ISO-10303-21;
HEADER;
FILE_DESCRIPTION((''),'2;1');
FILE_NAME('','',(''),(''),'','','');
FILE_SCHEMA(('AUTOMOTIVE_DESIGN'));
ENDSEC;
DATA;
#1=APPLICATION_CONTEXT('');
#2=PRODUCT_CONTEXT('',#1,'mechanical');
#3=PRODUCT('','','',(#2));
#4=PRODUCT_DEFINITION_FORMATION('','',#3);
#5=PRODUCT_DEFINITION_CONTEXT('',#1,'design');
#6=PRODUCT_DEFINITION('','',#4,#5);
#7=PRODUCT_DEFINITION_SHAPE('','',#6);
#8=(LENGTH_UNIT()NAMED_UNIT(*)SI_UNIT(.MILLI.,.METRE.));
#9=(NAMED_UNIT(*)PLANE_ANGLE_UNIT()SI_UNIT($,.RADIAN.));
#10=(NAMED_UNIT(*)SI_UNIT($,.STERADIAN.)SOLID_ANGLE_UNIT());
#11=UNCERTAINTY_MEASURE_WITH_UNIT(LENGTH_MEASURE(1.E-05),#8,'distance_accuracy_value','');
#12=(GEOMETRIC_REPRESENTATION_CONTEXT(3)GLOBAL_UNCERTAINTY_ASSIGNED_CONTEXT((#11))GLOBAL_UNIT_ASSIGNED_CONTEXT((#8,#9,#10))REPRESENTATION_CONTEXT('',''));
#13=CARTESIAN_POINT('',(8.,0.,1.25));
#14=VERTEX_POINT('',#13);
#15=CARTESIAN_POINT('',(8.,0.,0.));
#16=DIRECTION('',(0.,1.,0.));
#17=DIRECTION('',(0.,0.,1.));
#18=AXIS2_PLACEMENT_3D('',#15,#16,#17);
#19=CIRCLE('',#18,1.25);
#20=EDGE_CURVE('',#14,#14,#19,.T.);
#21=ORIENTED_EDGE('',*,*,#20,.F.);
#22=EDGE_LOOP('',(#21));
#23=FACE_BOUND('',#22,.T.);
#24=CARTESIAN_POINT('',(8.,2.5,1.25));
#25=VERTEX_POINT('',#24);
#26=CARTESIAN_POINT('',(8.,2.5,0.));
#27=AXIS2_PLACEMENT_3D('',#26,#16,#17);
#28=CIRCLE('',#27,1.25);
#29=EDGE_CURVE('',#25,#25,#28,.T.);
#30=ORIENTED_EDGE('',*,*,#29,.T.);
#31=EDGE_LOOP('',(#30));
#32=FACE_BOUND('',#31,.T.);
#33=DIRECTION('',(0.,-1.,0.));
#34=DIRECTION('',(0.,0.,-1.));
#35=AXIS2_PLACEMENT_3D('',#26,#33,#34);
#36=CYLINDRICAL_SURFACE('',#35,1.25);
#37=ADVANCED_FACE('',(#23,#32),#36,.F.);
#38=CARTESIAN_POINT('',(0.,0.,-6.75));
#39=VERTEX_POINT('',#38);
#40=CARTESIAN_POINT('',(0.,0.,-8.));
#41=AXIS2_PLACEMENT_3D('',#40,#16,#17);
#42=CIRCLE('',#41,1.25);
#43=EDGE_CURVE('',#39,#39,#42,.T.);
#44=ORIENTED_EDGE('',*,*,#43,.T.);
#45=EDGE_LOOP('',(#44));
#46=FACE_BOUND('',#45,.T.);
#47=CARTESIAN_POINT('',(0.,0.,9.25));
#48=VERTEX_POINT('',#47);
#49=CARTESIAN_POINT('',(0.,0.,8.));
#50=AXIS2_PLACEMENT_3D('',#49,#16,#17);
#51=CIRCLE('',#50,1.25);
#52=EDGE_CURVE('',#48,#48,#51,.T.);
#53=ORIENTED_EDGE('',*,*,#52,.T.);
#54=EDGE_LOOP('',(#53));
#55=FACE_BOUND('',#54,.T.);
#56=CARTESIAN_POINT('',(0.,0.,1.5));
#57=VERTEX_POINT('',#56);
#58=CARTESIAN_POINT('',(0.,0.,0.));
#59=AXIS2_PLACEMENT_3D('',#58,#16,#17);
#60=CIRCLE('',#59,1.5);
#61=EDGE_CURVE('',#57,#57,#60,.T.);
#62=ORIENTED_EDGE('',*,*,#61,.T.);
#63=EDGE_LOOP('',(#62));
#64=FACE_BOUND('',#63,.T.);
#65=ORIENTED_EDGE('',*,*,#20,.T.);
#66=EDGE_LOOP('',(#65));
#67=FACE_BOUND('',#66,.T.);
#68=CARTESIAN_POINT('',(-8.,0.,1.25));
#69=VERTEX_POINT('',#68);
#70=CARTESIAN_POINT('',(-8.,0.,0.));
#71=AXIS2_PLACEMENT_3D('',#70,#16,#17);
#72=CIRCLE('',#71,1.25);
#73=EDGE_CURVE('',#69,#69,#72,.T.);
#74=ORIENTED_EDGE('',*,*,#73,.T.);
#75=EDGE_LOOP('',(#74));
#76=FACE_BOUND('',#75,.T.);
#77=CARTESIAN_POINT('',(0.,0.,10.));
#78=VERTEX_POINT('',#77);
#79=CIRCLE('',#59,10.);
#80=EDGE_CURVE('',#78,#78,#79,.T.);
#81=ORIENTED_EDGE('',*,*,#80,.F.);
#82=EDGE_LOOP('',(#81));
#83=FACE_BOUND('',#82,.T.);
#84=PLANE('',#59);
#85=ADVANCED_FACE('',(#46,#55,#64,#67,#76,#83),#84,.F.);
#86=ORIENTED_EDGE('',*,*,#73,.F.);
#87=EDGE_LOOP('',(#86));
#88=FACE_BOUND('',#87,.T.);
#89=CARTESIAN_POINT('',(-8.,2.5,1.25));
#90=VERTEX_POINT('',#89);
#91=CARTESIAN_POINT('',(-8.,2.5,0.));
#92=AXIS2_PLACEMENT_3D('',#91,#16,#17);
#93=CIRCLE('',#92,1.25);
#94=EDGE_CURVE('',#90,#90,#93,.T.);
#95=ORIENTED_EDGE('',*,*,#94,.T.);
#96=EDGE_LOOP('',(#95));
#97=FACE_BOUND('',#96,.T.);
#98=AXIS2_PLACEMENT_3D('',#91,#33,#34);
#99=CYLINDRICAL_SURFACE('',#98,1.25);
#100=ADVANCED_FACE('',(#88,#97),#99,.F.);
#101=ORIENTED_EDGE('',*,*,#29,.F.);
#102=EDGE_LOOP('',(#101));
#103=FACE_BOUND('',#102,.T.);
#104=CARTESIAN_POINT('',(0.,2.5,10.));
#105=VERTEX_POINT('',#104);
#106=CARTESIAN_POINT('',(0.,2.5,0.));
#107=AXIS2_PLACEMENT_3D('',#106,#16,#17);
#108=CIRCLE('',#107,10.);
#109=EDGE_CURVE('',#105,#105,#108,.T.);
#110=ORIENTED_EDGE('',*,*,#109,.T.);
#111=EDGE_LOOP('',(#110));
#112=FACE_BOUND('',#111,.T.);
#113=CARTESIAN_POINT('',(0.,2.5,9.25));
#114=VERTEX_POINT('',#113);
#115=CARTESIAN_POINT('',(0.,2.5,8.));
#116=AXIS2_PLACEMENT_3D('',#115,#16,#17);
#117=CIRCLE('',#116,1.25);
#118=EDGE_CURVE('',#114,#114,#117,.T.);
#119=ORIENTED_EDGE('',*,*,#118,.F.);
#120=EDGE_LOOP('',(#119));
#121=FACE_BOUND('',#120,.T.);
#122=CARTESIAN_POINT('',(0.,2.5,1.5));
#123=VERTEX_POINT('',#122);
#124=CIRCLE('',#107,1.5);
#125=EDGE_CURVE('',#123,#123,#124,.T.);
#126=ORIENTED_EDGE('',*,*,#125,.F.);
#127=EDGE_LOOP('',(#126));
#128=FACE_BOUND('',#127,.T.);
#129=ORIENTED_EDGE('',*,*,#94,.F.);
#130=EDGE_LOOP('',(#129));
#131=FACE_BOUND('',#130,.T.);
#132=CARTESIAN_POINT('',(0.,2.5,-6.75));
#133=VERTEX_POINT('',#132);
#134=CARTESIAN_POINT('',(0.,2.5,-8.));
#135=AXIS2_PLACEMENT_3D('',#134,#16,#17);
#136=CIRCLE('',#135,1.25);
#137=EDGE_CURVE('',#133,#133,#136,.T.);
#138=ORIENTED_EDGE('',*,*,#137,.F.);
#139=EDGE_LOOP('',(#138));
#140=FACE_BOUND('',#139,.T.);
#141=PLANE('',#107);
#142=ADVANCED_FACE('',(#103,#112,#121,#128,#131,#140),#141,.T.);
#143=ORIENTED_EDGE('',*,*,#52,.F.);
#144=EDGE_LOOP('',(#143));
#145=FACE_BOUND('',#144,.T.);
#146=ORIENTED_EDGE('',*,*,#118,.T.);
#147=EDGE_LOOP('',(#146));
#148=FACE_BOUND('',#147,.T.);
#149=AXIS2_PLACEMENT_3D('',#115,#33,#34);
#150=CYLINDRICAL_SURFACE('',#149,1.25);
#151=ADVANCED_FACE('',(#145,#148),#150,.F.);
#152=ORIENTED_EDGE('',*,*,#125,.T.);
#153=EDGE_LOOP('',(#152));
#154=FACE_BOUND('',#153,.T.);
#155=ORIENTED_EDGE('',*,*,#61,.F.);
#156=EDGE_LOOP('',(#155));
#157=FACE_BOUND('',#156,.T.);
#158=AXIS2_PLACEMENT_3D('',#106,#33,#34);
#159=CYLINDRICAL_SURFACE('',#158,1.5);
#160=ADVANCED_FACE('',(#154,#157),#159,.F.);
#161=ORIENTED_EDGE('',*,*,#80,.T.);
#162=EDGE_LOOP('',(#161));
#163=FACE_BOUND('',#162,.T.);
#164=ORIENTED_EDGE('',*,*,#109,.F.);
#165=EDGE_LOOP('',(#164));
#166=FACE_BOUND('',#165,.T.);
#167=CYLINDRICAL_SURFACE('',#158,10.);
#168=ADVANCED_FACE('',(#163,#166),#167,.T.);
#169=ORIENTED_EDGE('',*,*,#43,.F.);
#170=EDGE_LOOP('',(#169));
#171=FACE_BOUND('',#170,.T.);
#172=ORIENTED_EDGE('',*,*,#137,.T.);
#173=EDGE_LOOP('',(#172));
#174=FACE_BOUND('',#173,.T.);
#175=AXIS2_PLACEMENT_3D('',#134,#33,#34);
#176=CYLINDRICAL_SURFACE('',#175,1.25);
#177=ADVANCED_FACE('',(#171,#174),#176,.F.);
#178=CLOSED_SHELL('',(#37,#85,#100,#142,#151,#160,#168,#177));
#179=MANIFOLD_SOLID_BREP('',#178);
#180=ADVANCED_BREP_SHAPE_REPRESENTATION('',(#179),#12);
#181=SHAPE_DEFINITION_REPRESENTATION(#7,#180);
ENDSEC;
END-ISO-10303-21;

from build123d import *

# Parameters (mm, degrees)
SKETCH1_R           = 10
SKETCH1_R_2         = 1.25
SKETCH1_R_3         = 1.5
BOSS_EXTRUDE1_DEPTH = 2.5


with BuildPart() as part:
    # Sketch1 → Boss-Extrude1 (new body)
    with BuildSketch(Plane(origin=(0, 0, 0), x_dir=(1, 0, 0), z_dir=(0, 1, 0))):
        with Locations(Location((0, 0, 0), (0, 0, 270))):
            Circle(SKETCH1_R)
        with Locations(Location((-8, 0, 0), (0, 0, 270))):
            Circle(SKETCH1_R_2, mode=Mode.SUBTRACT)
        with Locations(Location((0, -8, 0), (0, 0, 270))):
            Circle(SKETCH1_R_2, mode=Mode.SUBTRACT)
        with Locations(Location((8, 0, 0), (0, 0, 270))):
            Circle(SKETCH1_R_2, mode=Mode.SUBTRACT)
        with Locations(Location((0, 8, 0), (0, 0, 270))):
            Circle(SKETCH1_R_2, mode=Mode.SUBTRACT)
        with Locations(Location((0, 0, 0), (0, 0, 270))):
            Circle(SKETCH1_R_3, mode=Mode.SUBTRACT)
    extrude(amount=BOSS_EXTRUDE1_DEPTH)


solid = part.part
